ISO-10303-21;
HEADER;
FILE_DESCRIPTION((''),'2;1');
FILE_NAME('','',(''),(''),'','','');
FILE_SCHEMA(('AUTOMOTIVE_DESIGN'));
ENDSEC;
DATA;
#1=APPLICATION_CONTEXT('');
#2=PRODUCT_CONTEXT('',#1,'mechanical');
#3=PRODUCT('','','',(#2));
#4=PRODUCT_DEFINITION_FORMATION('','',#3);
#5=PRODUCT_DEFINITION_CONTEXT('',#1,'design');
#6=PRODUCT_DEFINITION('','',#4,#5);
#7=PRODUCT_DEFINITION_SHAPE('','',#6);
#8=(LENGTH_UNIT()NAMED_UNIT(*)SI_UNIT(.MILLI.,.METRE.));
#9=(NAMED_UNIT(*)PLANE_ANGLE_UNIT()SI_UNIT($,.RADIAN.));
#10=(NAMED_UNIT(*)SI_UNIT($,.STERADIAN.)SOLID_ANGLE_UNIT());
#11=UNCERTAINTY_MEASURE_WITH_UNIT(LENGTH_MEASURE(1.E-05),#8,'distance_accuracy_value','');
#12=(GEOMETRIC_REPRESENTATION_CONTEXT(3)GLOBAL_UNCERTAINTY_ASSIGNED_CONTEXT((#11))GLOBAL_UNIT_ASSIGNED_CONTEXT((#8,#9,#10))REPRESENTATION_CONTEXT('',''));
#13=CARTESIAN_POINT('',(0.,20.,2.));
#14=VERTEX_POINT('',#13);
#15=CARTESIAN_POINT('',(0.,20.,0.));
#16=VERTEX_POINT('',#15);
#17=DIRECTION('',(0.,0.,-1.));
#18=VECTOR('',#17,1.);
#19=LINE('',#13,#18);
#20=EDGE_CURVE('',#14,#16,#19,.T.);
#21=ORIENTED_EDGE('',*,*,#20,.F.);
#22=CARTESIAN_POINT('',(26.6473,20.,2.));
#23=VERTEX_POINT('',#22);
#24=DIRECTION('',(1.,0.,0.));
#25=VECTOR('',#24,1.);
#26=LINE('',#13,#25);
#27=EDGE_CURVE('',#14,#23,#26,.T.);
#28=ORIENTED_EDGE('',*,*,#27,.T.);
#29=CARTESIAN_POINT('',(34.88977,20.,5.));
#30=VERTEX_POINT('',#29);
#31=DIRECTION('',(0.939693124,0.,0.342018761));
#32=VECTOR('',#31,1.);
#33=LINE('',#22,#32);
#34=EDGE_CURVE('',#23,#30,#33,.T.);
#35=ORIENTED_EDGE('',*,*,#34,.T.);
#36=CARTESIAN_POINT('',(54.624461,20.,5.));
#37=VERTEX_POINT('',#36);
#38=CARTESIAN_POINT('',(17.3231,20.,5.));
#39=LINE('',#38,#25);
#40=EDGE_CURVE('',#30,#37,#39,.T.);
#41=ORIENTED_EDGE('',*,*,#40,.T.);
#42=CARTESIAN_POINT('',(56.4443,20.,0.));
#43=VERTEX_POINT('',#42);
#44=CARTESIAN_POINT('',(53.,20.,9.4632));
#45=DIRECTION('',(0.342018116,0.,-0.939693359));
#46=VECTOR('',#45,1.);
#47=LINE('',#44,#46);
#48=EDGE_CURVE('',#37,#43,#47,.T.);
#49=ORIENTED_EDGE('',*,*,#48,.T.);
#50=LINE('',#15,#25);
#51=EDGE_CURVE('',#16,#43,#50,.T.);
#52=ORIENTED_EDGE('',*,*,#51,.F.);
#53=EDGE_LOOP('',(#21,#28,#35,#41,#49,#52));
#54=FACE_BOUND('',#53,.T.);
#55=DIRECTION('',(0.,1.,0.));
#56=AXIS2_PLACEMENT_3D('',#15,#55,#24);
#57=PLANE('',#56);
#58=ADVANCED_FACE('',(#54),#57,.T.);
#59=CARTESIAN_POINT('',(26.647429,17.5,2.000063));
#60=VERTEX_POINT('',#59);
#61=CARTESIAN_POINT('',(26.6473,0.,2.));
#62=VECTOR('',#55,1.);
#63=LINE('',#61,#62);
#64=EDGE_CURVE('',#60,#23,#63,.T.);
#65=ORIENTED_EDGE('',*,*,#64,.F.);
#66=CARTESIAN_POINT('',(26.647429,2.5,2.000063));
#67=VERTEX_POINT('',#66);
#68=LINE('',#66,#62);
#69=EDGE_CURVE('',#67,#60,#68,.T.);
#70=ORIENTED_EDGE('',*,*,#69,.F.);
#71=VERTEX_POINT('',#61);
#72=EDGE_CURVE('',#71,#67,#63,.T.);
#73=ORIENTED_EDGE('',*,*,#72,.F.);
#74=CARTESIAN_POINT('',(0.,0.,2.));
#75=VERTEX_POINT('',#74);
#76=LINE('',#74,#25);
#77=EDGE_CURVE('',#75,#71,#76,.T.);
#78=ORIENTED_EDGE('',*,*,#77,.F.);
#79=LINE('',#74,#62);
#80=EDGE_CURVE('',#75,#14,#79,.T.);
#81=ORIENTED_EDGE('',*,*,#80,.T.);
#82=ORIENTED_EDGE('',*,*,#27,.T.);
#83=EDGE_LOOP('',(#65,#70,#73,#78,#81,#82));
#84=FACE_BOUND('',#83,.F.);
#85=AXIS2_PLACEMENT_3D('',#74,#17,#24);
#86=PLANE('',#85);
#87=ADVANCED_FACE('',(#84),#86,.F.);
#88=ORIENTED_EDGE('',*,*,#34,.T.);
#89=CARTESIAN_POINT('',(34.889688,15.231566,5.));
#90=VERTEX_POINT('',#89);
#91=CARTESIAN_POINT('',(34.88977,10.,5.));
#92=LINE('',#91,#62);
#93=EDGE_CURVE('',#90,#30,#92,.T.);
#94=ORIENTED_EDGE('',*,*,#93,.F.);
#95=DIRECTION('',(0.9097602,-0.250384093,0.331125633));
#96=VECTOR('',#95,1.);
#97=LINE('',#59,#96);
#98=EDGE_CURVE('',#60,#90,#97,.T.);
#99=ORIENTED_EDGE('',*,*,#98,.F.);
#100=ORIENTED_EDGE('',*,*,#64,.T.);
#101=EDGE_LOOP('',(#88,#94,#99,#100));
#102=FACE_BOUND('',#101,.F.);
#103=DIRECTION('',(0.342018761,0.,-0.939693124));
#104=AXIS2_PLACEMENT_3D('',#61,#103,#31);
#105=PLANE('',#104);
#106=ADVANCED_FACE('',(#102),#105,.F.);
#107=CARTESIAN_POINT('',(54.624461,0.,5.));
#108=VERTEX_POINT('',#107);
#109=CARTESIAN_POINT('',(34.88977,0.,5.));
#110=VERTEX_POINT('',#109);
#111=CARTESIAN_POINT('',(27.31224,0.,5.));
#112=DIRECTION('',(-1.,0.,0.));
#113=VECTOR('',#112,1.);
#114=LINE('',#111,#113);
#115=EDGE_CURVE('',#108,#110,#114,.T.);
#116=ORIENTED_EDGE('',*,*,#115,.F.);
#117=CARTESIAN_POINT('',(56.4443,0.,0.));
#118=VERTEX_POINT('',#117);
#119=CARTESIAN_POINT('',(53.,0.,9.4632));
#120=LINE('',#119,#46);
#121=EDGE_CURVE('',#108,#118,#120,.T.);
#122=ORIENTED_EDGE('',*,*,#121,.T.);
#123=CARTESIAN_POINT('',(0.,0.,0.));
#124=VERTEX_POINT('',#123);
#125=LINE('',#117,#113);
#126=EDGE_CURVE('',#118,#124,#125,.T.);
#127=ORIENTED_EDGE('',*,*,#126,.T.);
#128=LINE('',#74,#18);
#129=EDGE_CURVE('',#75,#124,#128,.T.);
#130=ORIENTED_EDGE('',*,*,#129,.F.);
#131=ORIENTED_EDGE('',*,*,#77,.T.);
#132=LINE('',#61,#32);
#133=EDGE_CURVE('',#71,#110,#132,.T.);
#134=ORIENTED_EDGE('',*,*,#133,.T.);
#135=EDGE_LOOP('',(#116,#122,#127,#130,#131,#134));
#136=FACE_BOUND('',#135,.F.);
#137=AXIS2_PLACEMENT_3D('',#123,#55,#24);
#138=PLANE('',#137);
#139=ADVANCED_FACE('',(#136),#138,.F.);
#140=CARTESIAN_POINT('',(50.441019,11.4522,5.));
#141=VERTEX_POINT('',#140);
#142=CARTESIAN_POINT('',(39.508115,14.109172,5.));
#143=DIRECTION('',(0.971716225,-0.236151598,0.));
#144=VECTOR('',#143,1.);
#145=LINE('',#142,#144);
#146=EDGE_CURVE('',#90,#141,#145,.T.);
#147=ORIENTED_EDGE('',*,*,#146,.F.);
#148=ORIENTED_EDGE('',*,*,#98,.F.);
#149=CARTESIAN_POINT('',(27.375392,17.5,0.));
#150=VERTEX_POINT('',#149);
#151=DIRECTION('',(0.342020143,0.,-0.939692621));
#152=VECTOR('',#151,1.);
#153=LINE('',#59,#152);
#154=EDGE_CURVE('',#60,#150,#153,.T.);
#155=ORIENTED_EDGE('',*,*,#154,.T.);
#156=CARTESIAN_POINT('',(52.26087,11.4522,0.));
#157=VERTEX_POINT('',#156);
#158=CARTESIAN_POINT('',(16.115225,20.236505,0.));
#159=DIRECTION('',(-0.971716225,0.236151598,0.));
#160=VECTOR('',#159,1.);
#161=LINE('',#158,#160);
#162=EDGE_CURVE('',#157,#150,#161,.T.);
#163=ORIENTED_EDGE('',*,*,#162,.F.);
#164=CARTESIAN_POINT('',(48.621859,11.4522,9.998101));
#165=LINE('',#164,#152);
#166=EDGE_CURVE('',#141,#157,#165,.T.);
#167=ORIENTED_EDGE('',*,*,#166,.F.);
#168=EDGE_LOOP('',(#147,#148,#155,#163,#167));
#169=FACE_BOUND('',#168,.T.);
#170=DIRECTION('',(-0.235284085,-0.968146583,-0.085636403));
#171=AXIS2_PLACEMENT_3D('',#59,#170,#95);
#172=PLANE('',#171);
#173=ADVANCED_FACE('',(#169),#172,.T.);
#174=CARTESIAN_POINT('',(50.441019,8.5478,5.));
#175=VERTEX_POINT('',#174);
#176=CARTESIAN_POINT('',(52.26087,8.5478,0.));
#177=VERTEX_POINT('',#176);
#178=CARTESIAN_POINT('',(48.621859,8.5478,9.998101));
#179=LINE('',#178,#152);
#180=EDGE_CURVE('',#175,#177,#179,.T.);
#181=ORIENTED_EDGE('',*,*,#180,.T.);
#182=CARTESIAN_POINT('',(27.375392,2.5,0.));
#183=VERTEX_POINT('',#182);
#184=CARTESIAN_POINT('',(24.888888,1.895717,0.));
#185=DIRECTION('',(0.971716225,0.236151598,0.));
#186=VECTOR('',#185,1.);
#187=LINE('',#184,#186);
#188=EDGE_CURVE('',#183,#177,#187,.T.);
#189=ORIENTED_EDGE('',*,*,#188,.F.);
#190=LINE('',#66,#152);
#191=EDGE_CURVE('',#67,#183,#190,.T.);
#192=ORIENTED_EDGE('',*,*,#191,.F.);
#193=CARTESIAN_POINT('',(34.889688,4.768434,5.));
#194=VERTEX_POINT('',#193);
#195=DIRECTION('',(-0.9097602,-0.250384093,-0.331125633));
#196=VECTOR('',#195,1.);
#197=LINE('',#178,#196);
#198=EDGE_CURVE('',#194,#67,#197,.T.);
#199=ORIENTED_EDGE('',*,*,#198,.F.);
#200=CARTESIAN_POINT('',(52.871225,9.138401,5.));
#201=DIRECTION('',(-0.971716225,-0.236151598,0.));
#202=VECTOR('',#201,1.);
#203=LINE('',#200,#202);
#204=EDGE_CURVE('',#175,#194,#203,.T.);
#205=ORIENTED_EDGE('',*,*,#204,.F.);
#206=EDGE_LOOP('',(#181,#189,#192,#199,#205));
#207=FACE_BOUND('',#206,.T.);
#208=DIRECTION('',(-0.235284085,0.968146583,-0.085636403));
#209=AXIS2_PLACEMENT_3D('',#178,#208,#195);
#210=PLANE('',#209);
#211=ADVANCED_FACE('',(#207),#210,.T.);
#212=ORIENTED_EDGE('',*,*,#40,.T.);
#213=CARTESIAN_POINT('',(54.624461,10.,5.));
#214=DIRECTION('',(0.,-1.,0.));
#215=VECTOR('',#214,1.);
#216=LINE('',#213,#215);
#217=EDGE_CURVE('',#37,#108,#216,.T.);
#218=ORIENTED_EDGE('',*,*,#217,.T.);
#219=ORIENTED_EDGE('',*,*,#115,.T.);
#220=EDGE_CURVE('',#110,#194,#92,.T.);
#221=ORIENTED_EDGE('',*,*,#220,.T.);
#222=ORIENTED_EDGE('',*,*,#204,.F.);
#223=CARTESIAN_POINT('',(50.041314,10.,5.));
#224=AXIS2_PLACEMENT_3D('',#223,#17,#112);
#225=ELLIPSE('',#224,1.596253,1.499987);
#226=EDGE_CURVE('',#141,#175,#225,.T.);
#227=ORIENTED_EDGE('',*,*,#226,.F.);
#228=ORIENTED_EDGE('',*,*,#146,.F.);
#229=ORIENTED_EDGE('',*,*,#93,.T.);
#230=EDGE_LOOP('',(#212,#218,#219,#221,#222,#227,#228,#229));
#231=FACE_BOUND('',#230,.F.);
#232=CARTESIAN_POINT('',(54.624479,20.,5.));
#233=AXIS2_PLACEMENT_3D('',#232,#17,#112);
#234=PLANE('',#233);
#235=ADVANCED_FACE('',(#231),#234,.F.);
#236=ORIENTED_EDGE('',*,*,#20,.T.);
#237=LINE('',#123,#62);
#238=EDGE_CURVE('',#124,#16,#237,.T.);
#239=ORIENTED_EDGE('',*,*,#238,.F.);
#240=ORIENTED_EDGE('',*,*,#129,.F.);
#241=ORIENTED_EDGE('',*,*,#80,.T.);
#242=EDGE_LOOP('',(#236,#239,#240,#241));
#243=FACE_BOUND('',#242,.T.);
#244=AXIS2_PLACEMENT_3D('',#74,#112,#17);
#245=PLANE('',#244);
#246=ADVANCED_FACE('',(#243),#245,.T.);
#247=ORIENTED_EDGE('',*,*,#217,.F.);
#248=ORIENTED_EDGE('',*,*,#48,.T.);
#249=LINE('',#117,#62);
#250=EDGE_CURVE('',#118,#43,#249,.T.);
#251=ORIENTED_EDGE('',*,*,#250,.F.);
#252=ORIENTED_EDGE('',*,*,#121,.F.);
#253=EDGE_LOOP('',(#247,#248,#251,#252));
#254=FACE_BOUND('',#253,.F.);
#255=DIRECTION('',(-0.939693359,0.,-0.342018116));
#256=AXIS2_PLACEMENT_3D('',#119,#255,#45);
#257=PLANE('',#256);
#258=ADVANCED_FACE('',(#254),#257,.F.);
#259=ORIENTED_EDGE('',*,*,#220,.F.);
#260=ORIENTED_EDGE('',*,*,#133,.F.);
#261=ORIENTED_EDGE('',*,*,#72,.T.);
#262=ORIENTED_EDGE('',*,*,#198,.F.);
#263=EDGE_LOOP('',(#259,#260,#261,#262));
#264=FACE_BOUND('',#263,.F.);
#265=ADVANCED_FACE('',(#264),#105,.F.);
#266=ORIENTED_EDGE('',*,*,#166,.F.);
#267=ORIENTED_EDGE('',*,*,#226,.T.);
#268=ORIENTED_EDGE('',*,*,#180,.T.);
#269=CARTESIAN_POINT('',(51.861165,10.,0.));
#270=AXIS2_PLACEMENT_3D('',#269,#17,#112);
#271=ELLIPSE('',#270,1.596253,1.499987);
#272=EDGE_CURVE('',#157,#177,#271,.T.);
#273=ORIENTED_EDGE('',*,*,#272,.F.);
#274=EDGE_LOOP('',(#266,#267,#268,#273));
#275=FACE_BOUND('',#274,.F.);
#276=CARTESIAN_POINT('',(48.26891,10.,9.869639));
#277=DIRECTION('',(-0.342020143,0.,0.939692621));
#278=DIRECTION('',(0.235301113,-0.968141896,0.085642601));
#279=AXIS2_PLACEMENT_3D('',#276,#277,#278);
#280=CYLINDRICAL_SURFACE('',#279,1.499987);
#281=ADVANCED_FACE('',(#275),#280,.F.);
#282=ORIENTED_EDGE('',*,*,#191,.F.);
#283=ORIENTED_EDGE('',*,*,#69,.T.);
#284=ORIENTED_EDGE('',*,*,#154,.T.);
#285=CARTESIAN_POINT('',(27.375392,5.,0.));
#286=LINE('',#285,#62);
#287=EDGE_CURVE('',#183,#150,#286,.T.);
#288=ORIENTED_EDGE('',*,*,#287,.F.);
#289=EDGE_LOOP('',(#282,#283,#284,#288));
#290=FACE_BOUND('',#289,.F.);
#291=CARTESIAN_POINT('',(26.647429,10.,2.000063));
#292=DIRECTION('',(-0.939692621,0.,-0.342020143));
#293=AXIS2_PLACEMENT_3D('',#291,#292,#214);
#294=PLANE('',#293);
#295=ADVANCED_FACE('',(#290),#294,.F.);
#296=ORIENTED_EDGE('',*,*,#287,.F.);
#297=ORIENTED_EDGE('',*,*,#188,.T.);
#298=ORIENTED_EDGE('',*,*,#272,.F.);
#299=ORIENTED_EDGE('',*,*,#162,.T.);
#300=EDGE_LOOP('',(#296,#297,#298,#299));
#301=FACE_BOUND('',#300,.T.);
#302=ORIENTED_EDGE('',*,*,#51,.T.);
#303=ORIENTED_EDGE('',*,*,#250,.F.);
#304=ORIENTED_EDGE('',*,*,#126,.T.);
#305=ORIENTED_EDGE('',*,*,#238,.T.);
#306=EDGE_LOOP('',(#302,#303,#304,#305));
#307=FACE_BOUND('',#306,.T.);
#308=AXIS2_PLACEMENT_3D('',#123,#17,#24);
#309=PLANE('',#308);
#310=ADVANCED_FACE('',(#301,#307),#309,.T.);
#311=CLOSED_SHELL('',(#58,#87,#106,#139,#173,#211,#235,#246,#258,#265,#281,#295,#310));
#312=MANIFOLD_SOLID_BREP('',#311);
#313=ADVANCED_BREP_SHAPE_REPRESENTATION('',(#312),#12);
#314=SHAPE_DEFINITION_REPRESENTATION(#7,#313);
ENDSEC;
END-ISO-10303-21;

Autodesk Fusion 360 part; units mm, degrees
sketch "Sketch1" plane through (0, 0, 0) normal (0, 1, 0) x (1, 0, 0)
  line L0 (0, 0) -> (27, 0)
  line L1 (27, 0) -> (53, -9.4632)
  line L2 (53, -9.4632) -> (53, 0)
  line L3 (0, -2) -> (26.6473, -2)
  line L4 (26.6473, -2) -> (52.316, -11.3426)
  line L5 (53, -9.4632) -> (52.316, -11.3426)
  line L6 (0, -2) -> (0, 0)
  line L7 (53, 0) -> (27, 0)
  line L8 (53, -9.4632) -> (56.4443, 0)
  line L9 (56.4443, 0) -> (53, 0)
  dimension "d1" = 27
  dimension "d3" = 160
  dimension "d4" = 26
  dimension "d5" = 2
extrude "Extrude1" add sketch "Sketch1" along normal blind 20
sketch "Sketch2" plane through (2.4744, 0, -6.7982) normal (-0.342, 0, 0.9397) x (0, -1, 0)
  line L0 (0, 25.7244) -> (0, 53.0403)
  line L1 (0, 53.0403) -> (-20, 53.0403)
  line L2 (-20, 53.0403) -> (-20, 25.7244)
  line L3 (-20, 25.7244) -> (0, 25.7244)
  line L4 (-17.5, 25.7244) -> (-11.4522, 49.1091)
  line L5 (-8.5478, 49.1091) -> (-2.5, 25.7244)
  line L6 (-10, 25.7244) -> (-10, 53.0403)
  arc A0 (-8.5478, 49.1091) -> (-11.4522, 49.1091) centre (-10, 48.7335) ccw
  point P0 (-10, 54.7244)
  dimension "d8" = 7.5
  dimension "d9" = 7.5
  dimension "d10" = 29
  dimension "d11" = 1.5
extrude "Extrude2" cut sketch "Sketch2" against normal blind 15 contours L3 L5 L6 A0 | L3 L4 L6 A0
sketch "Sketch3" plane through (0, 20, 0) normal (0, 1, 0) x (-1, 0, 0)
  line L0 (-52.316, 11.3426) -> (-56.4443, 0)
  line L1 (-56.4443, 0) -> (0, 0)
  line L2 (0, 0) -> (0, 2)
  line L3 (0, 2) -> (-26.6473, 2)
  line L4 (-26.6473, 2) -> (-52.316, 11.3426)
  line L5 (-56.4443, 5) -> (-17.3231, 5)
  line L6 (-17.3231, 5) -> (-17.3231, 14.1022)
  line L7 (-17.3231, 14.1022) -> (-56.4443, 14.1022)
  line L8 (-56.4443, 14.1022) -> (-56.4443, 5)
  line L9 (-56.4443, 0) -> (-56.4443, 5)
  dimension "d14" = 5
extrude "Extrude3" cut sketch "Sketch3" against normal blind 86 contours L0 L4 L5 | L0 L4 L5 L6 L7 L8
equation "d9 = d8"
